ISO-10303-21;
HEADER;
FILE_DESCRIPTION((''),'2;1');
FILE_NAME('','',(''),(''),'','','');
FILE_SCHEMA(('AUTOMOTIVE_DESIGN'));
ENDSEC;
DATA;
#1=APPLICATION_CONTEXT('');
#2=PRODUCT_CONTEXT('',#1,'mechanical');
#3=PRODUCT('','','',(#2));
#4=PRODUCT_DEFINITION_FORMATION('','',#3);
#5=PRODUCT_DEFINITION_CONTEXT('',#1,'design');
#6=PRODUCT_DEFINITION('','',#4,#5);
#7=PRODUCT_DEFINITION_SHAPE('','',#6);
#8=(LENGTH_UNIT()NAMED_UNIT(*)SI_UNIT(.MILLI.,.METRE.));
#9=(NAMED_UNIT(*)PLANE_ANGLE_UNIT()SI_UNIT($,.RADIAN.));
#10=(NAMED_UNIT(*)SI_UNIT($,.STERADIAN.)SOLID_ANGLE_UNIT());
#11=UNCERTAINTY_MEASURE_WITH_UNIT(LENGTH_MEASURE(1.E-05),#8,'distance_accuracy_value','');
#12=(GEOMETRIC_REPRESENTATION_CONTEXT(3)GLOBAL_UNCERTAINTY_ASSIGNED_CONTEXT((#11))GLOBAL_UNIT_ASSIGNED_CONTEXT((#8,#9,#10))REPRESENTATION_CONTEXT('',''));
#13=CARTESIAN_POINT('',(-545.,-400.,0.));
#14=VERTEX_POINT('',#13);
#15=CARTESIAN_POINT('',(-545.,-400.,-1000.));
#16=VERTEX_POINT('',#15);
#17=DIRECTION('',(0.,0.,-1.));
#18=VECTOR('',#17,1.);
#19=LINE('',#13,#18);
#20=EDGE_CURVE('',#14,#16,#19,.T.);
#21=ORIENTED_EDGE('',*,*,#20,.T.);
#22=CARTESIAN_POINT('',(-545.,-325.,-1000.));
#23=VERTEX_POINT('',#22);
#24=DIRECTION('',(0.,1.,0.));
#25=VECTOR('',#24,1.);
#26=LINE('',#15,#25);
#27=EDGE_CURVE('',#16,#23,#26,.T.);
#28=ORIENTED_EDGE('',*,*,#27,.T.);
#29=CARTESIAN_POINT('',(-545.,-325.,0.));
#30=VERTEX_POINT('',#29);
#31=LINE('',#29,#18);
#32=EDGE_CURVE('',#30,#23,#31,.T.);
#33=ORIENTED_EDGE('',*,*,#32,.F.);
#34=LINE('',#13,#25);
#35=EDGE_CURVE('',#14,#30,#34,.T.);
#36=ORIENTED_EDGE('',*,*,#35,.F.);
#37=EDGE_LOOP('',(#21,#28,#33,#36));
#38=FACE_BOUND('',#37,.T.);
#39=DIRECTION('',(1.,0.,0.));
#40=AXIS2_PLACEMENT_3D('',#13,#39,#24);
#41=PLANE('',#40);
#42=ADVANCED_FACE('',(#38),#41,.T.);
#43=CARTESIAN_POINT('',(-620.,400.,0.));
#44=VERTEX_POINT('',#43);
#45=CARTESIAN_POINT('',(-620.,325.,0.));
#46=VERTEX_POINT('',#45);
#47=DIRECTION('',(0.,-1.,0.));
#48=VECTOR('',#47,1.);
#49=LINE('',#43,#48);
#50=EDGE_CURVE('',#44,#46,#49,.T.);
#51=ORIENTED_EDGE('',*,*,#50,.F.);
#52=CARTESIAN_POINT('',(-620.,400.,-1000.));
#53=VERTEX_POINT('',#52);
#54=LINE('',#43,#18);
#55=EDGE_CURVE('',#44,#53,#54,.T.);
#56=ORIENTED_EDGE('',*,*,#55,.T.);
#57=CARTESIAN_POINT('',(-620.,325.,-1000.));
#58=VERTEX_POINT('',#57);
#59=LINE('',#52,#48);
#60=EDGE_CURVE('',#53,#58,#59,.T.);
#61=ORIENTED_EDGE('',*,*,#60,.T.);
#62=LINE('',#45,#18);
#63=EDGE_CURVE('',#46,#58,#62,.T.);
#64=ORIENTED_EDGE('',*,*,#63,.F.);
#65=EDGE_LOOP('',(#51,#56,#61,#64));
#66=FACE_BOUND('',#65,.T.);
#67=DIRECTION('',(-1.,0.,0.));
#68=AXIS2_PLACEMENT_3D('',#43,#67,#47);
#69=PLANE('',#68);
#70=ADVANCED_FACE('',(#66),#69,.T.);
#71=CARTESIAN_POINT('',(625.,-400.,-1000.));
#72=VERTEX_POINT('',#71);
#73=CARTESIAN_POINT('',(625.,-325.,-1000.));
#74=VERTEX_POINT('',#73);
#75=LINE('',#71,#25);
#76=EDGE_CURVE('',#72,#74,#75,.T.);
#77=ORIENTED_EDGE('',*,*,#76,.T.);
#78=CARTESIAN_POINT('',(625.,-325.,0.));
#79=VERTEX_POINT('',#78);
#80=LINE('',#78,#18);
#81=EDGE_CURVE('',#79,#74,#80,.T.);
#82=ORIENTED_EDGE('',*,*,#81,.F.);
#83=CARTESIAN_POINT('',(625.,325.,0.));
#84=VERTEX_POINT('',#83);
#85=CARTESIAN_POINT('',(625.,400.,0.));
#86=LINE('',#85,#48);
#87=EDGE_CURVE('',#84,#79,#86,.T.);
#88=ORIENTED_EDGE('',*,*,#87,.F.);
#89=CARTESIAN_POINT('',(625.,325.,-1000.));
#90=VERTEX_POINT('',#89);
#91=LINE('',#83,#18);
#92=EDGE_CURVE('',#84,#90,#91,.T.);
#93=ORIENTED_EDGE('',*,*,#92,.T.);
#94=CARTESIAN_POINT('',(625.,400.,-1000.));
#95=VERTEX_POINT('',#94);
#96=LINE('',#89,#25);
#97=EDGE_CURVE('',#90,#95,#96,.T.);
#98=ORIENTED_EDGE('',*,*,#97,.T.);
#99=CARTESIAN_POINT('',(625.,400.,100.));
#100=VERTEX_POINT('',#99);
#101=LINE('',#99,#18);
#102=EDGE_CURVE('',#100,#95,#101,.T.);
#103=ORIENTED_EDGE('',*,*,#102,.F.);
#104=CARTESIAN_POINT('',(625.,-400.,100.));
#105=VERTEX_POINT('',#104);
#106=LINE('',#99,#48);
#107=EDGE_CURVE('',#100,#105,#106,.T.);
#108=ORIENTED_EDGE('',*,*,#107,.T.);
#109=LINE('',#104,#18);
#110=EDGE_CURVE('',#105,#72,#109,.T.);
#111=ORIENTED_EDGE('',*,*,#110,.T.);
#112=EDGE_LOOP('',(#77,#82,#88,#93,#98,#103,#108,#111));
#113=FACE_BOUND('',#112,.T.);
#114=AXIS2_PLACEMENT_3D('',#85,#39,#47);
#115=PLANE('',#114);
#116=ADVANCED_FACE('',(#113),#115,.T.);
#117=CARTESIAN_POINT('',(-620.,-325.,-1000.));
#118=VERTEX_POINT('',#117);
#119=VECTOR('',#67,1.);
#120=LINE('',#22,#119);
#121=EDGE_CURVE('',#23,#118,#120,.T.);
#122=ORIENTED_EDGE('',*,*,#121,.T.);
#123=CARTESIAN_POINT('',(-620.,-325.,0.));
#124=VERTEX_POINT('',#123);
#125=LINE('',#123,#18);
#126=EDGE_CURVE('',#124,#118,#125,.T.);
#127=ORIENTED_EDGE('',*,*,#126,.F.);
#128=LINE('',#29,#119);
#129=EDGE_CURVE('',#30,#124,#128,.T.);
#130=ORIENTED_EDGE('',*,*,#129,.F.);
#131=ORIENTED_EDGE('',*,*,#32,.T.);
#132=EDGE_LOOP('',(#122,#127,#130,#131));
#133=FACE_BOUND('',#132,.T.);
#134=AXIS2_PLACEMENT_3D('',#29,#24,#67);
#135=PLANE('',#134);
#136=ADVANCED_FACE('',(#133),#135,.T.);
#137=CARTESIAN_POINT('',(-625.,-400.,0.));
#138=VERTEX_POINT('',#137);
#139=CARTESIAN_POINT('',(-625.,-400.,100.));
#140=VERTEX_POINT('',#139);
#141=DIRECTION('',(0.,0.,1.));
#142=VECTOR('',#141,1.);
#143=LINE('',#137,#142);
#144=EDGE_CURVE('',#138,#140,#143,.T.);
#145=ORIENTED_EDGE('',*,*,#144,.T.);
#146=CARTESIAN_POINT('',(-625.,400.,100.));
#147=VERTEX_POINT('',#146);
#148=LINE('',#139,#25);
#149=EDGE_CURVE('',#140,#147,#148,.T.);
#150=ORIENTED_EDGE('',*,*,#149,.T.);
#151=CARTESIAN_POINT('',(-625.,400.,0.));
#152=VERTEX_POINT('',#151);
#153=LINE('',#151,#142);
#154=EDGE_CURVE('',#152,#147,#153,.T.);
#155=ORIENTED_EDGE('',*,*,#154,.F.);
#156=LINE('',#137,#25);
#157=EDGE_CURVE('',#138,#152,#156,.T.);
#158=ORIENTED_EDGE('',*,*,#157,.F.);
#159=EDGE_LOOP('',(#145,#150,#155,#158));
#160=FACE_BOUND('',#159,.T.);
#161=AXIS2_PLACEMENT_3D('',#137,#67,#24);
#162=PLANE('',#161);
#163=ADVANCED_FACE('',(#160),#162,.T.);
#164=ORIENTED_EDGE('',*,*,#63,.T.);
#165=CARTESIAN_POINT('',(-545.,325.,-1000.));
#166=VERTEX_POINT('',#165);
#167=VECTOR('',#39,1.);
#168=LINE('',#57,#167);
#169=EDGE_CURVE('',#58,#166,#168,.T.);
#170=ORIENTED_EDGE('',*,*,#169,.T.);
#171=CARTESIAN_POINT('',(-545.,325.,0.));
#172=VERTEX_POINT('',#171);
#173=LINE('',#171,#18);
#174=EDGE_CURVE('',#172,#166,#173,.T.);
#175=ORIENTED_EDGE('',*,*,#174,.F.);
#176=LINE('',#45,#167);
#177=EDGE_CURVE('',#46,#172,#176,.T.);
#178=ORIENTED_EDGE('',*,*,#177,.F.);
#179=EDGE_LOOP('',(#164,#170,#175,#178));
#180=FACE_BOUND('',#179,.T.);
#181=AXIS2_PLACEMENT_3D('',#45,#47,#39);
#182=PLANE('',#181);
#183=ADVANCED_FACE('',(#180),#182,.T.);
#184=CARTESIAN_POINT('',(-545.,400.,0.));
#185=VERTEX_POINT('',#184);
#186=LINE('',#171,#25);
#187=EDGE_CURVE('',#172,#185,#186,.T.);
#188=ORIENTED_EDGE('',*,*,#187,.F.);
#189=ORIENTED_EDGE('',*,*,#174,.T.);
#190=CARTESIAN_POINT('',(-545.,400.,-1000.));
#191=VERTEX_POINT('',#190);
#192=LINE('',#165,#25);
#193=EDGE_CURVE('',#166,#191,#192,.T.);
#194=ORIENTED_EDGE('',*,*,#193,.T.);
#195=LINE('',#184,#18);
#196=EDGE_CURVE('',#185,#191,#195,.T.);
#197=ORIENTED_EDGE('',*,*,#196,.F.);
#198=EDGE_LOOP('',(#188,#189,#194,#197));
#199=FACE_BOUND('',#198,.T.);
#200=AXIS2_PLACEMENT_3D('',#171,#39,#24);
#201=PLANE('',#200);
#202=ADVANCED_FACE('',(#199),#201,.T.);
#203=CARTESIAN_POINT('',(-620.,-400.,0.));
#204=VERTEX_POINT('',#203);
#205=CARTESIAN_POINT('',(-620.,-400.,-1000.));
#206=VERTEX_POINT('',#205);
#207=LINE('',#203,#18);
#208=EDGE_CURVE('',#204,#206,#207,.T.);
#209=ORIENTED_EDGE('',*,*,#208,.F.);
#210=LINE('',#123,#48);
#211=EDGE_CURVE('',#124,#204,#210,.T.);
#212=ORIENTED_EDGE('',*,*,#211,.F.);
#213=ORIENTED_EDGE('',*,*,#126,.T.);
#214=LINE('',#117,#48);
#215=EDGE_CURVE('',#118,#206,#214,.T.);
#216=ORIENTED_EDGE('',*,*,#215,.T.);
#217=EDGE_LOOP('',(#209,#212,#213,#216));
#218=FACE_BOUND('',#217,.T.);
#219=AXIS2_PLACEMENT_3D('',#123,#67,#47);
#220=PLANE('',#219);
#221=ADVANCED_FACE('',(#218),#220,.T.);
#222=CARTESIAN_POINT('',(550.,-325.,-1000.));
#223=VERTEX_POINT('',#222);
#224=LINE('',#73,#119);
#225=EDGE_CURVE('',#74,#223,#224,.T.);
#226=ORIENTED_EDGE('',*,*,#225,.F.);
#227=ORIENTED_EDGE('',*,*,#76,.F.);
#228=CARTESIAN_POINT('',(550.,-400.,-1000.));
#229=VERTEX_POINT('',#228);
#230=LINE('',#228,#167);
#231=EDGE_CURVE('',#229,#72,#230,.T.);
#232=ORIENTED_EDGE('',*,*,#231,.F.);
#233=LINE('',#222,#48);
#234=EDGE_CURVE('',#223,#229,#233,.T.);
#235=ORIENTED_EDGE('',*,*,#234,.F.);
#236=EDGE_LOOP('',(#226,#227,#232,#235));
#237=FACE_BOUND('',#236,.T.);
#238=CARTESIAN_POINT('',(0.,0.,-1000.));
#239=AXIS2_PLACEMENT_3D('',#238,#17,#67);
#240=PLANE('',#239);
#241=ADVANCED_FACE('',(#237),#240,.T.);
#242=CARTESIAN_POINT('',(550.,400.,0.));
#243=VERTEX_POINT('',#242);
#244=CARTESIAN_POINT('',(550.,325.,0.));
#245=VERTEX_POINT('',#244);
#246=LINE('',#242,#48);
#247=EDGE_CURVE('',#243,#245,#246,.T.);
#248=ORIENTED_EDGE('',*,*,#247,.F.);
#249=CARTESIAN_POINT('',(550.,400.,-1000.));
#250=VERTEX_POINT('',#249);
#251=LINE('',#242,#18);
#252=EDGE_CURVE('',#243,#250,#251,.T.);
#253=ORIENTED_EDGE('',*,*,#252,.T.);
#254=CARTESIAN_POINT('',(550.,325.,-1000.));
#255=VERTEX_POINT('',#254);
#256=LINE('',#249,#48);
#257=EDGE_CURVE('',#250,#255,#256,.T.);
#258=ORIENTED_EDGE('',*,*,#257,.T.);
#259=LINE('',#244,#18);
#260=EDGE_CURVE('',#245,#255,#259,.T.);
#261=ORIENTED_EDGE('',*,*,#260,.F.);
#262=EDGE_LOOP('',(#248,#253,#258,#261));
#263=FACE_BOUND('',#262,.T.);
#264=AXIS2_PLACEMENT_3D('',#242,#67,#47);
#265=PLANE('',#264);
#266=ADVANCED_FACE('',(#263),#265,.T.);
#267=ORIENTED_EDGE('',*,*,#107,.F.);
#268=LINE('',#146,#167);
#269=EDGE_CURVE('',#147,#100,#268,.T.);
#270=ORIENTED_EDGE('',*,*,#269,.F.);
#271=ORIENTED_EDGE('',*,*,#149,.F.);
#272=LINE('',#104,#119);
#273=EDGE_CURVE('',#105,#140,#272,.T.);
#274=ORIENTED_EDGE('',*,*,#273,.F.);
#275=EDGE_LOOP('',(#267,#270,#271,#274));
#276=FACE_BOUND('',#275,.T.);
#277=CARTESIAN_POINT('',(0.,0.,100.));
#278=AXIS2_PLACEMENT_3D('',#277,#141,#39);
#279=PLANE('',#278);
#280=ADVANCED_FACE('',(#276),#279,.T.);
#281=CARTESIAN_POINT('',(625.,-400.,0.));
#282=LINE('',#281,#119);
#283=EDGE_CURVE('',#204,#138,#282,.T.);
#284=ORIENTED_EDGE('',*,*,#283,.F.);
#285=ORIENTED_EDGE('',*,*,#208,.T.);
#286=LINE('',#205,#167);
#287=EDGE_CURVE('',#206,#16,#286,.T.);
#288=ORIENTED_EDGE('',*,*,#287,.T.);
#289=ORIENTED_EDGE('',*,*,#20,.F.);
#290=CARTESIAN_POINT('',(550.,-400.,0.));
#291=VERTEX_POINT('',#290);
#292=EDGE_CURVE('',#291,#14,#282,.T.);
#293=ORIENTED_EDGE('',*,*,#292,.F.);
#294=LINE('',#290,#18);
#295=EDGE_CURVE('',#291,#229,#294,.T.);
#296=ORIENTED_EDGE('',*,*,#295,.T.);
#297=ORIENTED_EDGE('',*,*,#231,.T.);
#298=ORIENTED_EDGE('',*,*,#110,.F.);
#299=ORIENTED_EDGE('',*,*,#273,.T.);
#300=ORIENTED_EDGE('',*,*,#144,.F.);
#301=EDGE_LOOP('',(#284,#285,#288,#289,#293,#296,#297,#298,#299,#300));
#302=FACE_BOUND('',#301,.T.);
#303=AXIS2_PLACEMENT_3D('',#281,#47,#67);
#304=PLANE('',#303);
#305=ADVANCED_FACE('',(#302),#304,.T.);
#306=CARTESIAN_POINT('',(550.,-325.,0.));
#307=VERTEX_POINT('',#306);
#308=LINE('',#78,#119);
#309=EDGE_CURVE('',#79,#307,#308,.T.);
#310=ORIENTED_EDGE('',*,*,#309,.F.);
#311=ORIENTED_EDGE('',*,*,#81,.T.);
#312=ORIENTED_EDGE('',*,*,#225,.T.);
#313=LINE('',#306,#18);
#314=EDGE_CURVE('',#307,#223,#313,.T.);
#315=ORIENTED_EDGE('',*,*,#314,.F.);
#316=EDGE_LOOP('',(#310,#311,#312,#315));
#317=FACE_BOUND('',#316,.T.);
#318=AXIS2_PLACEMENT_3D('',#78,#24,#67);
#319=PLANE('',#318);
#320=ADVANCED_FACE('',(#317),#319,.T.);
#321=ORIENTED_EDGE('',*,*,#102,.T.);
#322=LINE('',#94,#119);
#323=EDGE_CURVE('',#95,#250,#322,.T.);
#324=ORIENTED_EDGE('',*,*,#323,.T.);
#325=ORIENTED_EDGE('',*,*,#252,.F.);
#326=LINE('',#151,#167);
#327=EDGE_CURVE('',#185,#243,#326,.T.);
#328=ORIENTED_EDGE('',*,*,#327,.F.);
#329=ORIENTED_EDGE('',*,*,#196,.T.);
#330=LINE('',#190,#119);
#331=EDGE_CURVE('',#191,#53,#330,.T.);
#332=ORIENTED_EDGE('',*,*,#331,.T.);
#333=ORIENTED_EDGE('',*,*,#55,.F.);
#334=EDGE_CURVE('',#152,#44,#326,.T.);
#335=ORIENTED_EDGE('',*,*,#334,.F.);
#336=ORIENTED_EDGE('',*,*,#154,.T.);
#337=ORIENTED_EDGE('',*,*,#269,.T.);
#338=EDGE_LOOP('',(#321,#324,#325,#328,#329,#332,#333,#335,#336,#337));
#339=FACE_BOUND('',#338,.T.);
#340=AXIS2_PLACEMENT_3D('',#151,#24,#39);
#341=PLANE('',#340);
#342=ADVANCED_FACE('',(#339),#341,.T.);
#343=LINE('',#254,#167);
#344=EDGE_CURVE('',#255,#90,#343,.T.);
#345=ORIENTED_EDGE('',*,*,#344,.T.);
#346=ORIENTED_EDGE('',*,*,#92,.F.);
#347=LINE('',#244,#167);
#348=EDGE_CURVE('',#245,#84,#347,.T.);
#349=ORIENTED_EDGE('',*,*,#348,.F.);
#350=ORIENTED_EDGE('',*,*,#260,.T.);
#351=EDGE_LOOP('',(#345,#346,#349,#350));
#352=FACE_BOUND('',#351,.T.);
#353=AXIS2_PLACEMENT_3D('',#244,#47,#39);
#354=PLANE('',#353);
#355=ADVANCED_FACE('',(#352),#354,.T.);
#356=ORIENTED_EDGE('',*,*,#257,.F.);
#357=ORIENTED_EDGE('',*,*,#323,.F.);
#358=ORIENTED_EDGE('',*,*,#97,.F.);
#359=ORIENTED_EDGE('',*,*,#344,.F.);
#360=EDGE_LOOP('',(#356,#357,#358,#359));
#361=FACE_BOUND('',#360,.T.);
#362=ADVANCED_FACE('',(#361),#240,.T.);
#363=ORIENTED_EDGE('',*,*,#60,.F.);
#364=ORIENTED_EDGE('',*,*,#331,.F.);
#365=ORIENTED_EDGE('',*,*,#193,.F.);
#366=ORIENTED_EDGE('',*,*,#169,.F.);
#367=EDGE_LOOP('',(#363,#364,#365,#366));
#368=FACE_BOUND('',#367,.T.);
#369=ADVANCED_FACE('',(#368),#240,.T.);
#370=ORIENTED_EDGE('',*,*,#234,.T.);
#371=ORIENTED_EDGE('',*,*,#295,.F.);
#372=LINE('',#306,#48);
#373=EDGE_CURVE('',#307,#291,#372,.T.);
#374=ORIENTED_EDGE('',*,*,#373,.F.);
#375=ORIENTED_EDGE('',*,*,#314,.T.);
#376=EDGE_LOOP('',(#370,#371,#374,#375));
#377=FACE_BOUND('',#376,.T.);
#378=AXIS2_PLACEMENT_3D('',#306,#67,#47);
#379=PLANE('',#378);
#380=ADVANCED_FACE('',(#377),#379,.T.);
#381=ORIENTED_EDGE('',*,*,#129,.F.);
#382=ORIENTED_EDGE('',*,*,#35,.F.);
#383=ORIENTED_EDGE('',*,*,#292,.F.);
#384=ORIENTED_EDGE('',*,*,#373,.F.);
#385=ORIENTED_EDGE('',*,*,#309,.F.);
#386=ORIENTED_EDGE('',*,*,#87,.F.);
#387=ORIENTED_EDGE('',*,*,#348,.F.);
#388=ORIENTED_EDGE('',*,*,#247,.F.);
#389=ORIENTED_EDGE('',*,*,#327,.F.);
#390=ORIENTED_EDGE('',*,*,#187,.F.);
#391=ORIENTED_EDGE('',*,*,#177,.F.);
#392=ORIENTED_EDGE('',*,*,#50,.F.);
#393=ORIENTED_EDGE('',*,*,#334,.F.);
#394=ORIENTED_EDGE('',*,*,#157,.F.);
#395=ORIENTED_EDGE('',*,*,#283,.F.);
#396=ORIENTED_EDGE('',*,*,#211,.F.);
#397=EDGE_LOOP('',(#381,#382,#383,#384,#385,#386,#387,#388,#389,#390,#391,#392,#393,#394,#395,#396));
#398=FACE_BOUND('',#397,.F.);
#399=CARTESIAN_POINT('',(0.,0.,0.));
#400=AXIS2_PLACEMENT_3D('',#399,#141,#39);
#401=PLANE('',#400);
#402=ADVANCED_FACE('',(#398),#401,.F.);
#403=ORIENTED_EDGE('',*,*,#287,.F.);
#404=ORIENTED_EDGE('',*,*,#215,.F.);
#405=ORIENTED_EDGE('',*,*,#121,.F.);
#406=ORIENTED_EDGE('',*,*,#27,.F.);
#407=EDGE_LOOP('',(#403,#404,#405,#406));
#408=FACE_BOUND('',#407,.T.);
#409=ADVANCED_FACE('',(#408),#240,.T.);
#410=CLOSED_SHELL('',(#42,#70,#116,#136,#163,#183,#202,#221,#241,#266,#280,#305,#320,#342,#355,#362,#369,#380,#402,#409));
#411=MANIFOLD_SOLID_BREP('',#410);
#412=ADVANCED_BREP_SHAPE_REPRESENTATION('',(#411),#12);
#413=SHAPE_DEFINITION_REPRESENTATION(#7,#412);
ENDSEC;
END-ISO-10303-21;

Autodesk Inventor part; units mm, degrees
ref_plane "YZ Plane" through (0, 0, 0) normal (1, 0, 0) x (0, 1, 0)
ref_plane "XZ Plane" through (0, 0, 0) normal (0, 1, 0) x (-1, 0, 0)
ref_plane "XY Plane" through (0, 0, 0) normal (0, 0, 1) x (1, 0, 0)
sketch "Sketch1" plane through (0, 0, 0) normal (0, 0, 1) x (1, 0, 0)
  line L0 (-625, 400) -> (625, 400)
  line L1 (625, 400) -> (625, -400)
  line L2 (625, -400) -> (-625, -400)
  line L3 (-625, -400) -> (-625, 400)
  point P0 (0, 0)
  point P1 (-625, 0)
  point P2 (0, 400)
  dimension "d0" = 1250
  dimension "d1" = 800
extrude "Extrusion1" add sketch "Sketch1" along normal blind 100
sketch "Sketch2" plane through (0, 0, 0) normal (0, 0, -1) x (-1, 0, 0)
  line L0 (-625, 400) -> (-550, 400)
  line L1 (-550, 400) -> (-550, 325)
  line L2 (-550, 325) -> (-625, 325)
  line L3 (-625, 325) -> (-625, 400)
  line L4 (545, 400) -> (620, 400)
  line L5 (620, 400) -> (620, 325)
  line L6 (620, 325) -> (545, 325)
  line L7 (545, 325) -> (545, 400)
  line L8 (-625, -325) -> (-550, -325)
  line L9 (-550, -325) -> (-550, -400)
  line L10 (-550, -400) -> (-625, -400)
  line L11 (-625, -400) -> (-625, -325)
  line L12 (545, -325) -> (620, -325)
  line L13 (620, -325) -> (620, -400)
  line L14 (620, -400) -> (545, -400)
  line L15 (545, -400) -> (545, -325)
  point P0 (0, 0)
  dimension "d4" = 75
  dimension "d5" = 75
  dimension "d8" = 1170
  dimension "d11" = 725
extrude "Extrusion2" add sketch "Sketch2" along normal blind 1000
properties part number "tables"
